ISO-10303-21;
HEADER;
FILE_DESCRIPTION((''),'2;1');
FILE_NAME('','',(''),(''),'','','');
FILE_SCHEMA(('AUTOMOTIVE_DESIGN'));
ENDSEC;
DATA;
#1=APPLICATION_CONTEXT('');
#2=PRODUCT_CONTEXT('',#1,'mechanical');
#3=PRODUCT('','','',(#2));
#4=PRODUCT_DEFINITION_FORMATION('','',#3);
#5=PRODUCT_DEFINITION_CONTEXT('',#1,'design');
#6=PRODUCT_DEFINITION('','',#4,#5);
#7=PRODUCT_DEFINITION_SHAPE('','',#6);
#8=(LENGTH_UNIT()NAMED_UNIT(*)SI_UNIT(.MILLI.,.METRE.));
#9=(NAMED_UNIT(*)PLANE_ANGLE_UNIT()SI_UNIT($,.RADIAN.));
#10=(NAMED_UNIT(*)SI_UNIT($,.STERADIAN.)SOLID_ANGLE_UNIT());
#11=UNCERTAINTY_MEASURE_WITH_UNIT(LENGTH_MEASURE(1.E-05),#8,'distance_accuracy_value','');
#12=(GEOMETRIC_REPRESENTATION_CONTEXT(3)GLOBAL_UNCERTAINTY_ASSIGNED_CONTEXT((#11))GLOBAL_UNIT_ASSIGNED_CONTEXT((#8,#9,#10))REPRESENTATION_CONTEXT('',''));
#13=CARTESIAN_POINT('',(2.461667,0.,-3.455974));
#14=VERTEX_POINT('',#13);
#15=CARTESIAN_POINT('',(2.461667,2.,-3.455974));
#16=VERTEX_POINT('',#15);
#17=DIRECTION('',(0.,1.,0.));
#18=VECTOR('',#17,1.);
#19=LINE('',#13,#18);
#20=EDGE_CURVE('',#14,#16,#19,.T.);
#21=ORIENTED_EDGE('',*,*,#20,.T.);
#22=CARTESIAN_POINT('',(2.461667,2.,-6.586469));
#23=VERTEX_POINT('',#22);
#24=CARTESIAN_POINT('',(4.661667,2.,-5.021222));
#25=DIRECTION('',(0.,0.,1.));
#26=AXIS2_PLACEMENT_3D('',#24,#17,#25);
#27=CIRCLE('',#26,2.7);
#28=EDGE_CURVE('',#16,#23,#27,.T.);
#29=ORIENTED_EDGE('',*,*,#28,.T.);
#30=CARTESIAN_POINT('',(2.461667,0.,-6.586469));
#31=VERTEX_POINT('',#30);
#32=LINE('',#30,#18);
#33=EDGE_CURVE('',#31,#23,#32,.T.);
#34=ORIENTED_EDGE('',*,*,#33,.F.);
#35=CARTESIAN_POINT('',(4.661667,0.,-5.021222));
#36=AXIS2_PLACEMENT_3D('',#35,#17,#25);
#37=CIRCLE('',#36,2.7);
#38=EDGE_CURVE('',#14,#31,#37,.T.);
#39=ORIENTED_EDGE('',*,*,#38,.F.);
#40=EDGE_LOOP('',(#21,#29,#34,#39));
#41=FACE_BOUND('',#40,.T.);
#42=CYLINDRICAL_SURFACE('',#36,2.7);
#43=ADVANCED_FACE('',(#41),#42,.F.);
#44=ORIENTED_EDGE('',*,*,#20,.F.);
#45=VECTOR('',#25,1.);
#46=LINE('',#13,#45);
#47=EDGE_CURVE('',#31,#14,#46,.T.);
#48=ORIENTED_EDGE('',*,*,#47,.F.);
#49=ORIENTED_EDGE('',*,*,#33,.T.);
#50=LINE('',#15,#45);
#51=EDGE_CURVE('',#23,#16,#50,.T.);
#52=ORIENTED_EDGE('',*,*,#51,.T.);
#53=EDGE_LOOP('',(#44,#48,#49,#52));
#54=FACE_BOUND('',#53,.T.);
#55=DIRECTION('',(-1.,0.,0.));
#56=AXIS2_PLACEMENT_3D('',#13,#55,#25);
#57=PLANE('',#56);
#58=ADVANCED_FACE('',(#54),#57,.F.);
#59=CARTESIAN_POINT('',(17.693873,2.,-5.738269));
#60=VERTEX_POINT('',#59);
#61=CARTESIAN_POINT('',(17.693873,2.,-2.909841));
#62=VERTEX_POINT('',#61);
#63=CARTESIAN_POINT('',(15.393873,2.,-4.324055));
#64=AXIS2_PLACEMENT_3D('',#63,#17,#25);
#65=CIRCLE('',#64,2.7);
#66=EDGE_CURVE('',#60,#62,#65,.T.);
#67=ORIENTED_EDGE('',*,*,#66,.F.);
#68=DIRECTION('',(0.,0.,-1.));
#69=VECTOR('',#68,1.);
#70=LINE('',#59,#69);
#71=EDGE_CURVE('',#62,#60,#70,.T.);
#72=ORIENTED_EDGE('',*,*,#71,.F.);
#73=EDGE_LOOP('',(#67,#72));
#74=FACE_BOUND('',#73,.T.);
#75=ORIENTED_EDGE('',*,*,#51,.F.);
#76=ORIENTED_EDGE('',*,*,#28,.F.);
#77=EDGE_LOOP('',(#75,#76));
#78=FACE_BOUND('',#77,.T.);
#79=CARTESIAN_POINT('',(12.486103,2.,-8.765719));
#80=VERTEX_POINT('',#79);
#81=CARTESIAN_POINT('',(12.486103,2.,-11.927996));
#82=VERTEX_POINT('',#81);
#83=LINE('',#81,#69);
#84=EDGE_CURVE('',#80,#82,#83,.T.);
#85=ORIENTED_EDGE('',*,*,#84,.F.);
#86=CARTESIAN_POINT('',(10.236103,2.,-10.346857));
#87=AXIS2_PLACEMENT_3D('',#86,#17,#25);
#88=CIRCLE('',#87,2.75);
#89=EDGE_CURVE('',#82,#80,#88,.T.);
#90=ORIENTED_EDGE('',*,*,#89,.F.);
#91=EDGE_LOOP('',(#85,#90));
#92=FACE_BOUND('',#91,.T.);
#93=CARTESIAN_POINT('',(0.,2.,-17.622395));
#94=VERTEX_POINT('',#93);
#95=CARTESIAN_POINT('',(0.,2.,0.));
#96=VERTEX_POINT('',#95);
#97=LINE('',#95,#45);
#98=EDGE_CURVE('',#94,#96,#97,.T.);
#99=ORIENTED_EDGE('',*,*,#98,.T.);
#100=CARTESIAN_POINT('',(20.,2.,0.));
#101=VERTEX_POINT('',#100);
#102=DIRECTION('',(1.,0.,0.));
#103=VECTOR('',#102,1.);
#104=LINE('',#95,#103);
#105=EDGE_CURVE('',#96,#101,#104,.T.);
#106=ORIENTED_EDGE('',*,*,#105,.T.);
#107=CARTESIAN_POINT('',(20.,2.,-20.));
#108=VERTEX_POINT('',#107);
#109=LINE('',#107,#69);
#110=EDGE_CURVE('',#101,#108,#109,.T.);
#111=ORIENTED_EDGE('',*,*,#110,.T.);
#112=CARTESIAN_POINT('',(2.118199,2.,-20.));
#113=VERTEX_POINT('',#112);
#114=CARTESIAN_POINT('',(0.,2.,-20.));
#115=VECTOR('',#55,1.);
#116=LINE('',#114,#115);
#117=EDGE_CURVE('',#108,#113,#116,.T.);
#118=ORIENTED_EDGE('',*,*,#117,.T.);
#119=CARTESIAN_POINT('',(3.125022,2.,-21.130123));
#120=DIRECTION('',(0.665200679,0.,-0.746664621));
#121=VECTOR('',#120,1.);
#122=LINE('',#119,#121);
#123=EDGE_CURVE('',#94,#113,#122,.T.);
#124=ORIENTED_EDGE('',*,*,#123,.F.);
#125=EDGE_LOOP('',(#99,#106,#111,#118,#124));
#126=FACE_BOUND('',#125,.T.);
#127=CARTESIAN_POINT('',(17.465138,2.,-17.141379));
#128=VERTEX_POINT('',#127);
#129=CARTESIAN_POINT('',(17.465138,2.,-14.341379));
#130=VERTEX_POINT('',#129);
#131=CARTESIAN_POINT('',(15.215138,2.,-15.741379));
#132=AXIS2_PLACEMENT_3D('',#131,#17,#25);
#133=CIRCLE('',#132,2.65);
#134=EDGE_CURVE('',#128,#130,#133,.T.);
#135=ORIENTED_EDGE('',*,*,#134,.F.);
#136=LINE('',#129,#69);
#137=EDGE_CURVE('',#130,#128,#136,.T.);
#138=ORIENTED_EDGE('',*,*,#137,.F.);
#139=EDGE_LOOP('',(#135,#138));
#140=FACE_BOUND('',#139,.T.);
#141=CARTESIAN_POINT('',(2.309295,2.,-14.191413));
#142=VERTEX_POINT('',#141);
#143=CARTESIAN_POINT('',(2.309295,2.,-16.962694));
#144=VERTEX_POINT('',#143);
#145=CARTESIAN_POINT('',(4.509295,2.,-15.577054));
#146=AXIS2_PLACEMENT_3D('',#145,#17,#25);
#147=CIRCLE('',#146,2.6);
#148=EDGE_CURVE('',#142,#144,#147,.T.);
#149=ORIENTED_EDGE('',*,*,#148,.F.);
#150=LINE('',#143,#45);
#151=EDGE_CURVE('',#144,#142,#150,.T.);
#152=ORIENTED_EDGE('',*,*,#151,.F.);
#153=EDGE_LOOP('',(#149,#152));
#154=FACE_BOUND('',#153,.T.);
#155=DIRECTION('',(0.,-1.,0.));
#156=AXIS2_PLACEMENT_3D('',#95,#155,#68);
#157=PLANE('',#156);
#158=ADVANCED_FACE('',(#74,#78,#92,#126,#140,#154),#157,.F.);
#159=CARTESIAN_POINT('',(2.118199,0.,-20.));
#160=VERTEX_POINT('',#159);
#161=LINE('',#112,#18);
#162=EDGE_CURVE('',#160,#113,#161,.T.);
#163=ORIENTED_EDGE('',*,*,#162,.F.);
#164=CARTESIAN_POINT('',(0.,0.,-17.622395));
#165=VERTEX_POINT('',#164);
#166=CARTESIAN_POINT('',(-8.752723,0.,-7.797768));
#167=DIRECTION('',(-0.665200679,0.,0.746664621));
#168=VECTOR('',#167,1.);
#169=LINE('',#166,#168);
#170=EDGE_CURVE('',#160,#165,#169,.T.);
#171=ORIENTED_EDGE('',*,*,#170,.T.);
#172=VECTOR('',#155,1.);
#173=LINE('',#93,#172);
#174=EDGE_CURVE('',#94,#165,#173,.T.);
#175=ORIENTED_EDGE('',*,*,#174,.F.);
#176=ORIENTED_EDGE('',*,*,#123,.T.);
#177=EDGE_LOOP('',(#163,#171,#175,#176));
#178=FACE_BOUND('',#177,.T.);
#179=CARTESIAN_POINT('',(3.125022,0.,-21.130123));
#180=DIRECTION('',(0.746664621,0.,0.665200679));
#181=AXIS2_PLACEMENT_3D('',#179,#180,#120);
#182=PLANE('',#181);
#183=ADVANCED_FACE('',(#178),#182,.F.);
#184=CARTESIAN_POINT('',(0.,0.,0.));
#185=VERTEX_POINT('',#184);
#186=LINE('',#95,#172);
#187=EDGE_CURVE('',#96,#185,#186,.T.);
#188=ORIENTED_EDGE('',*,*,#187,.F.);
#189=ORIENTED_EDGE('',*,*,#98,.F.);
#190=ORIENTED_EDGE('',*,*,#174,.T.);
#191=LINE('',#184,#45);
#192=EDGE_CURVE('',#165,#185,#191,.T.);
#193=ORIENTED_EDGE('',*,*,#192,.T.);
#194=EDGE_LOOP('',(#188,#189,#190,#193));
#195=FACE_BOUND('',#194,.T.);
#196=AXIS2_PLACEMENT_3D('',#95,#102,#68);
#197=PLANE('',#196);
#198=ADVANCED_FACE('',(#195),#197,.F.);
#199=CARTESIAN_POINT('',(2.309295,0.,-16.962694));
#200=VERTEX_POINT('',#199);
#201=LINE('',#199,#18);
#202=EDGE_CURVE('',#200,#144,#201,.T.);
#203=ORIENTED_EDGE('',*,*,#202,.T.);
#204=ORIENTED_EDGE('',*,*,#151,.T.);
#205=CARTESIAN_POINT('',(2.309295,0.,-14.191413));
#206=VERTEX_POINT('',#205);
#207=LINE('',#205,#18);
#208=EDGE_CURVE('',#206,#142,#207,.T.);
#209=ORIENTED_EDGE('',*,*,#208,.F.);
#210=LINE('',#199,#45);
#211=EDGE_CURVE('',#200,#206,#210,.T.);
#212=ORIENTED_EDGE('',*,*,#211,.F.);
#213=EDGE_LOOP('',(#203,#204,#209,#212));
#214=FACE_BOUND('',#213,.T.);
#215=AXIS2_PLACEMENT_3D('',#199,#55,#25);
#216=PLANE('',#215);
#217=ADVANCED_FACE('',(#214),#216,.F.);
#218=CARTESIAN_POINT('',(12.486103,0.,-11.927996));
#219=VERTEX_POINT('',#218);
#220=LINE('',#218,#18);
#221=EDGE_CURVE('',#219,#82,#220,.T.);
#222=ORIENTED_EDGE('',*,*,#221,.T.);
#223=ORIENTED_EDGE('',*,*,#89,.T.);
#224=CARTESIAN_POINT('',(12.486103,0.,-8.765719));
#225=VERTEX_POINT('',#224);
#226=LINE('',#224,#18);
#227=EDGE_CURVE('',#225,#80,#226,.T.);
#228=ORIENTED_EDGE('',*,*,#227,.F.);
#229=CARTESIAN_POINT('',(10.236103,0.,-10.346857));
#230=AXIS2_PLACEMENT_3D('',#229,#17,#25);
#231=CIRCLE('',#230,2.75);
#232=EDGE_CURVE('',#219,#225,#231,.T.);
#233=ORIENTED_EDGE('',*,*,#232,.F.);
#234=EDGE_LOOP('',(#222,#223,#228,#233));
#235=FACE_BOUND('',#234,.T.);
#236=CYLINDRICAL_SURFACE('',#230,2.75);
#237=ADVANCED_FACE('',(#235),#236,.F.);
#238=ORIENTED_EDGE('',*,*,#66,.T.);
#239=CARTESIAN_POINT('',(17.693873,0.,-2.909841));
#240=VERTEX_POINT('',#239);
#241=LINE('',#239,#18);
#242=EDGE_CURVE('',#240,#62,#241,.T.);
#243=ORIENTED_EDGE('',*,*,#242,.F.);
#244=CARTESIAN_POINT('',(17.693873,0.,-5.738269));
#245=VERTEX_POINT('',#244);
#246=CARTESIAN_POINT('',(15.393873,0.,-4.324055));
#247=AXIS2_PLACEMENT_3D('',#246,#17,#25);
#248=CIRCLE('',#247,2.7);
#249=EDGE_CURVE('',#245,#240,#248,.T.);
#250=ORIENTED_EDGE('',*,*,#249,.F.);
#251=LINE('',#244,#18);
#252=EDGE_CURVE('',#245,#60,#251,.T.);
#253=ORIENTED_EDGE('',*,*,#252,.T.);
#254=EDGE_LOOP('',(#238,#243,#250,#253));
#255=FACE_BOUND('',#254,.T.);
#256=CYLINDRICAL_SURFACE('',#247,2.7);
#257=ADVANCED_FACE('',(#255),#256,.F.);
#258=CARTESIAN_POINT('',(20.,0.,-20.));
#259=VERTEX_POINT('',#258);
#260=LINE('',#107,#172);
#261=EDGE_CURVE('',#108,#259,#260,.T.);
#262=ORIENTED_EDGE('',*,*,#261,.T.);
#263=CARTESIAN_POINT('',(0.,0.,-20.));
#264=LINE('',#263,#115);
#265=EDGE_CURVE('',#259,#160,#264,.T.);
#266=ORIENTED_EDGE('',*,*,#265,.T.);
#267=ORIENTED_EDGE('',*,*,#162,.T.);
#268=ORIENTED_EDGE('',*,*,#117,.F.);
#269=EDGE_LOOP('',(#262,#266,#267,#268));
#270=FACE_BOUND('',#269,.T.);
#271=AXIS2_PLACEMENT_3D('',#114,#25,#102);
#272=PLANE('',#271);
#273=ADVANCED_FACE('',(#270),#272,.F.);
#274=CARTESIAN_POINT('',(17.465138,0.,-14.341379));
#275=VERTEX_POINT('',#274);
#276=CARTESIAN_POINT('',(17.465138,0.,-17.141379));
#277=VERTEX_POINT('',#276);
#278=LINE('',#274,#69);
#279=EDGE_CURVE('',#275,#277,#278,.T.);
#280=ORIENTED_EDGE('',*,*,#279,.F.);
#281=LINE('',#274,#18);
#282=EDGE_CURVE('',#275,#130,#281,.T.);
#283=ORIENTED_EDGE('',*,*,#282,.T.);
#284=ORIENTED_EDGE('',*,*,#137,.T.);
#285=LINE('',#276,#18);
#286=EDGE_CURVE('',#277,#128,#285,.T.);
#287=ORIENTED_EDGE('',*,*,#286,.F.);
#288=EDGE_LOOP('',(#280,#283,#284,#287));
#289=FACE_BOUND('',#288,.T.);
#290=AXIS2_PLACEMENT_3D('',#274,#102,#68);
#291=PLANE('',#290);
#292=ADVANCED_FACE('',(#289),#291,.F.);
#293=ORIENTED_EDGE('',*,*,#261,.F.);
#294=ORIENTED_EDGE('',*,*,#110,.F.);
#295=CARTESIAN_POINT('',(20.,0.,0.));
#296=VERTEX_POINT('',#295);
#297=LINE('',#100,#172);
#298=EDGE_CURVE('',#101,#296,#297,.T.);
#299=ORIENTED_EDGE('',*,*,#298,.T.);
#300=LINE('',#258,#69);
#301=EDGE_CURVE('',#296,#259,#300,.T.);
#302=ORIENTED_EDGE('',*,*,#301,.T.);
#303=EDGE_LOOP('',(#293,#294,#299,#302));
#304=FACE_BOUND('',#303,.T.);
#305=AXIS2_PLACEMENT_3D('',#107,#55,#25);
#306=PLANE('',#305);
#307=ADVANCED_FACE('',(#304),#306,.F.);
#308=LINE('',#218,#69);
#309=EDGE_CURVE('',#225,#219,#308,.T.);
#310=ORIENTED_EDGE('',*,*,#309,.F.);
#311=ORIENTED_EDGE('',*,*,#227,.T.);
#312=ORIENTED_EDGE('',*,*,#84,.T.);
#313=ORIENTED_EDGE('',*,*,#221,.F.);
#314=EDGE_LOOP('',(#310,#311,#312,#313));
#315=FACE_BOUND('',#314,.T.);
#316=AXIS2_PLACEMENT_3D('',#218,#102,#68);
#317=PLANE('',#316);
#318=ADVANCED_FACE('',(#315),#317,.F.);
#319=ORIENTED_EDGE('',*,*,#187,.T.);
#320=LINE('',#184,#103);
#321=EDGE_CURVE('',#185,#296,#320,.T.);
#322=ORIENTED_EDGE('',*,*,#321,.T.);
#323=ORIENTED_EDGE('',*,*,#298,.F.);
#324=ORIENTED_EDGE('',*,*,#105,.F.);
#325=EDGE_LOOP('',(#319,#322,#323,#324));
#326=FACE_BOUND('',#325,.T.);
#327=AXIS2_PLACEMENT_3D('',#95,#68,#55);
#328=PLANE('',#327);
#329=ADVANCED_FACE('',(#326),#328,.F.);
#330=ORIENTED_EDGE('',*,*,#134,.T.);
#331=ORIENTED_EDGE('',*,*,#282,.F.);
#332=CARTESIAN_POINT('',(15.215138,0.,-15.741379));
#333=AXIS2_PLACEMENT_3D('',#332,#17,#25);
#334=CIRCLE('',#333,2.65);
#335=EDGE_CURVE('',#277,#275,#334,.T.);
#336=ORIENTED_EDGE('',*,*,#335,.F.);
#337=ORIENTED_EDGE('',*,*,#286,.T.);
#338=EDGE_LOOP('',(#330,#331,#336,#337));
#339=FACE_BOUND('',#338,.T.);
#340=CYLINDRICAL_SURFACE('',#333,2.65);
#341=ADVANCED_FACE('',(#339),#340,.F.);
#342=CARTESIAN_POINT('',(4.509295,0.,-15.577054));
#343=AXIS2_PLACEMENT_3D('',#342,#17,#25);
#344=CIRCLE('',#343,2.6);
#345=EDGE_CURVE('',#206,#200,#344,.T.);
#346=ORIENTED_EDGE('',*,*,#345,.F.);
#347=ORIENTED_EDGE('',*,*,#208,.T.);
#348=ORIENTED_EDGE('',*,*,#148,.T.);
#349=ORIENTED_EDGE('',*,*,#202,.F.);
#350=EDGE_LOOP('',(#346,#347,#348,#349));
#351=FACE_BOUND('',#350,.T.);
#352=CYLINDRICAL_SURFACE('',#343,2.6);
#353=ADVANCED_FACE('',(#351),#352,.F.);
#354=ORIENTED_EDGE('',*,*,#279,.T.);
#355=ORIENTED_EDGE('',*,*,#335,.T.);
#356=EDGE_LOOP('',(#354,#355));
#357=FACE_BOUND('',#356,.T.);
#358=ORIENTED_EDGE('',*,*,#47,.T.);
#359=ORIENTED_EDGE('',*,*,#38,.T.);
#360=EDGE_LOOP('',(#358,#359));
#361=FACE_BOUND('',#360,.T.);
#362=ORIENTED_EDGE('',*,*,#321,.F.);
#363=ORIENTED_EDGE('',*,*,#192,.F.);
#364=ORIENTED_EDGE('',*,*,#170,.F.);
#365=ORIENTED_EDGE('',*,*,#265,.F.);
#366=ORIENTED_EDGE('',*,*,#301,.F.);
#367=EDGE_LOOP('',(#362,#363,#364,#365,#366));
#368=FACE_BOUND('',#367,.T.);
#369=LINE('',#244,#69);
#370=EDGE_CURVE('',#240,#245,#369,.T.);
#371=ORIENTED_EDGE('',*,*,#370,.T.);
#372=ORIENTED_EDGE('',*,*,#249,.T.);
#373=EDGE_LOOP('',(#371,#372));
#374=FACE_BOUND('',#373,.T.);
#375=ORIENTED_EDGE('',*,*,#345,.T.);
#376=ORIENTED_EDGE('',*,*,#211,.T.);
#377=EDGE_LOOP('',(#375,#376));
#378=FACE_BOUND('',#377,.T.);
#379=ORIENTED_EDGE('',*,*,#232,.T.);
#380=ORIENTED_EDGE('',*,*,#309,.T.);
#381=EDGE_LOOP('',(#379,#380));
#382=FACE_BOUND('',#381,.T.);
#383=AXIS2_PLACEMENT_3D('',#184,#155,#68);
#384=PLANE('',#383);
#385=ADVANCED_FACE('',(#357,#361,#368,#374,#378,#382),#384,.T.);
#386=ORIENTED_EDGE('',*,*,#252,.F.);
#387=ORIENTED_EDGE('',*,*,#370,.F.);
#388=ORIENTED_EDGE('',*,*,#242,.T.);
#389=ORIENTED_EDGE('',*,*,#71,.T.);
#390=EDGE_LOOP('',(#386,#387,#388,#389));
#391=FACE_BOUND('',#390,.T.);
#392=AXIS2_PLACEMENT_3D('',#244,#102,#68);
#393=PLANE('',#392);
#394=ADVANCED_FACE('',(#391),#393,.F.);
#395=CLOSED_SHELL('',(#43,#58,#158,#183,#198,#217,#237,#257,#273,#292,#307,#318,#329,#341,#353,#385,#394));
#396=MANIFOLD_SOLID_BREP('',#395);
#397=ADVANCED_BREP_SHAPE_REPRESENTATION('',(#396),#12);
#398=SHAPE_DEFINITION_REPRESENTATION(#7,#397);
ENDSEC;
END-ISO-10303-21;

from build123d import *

# Parameters (mm, degrees)
ESBO_O1_W                = 20
ESBO_O1_H                = 20
RESSALTO_EXTRUS_O3_DEPTH = 2
CORTE_EXTRUS_O5_DEPTH    = 29.354893758


with BuildPart() as part:
    # Esboço1 → Ressalto-extrusão3 (new body)
    with BuildSketch(Plane(origin=(0, 0, 0), x_dir=(1, 0, 0), z_dir=(0, 1, 0))):
        with Locations((10, 10)):
            Rectangle(ESBO_O1_W, ESBO_O1_H)
    extrude(amount=RESSALTO_EXTRUS_O3_DEPTH)

    # Esboço5 → Corte-extrusão5 (cut, through all)
    with BuildSketch(Plane(origin=(0, 2, 0), x_dir=(1, 0, 0), z_dir=(0, 1, 0))):
        with BuildLine():
            Line((2.309294959, 16.962694399), (2.309294959, 14.191413107))
            ThreePointArc((2.309294959, 14.191413107), (7.109294959, 15.577053753), (2.309294959, 16.962694399))
        make_face()
        with BuildLine():
            Line((2.461667221, 3.455973937), (2.461667221, 6.586469106))
            ThreePointArc((2.461667221, 6.586469106), (7.361667221, 5.021221521), (2.461667221, 3.455973937))
        make_face()
        with BuildLine():
            Line((17.465138281, 14.341379407), (17.465138281, 17.141379407))
            ThreePointArc((17.465138281, 17.141379407), (12.565138281, 15.741379407), (17.465138281, 14.341379407))
        make_face()
        with BuildLine():
            Line((12.486102937, 11.927996301), (12.486102937, 8.765718641))
            ThreePointArc((12.486102937, 8.765718641), (7.486102937, 10.346857471), (12.486102937, 11.927996301))
        make_face()
        with BuildLine():
            Line((17.693873019, 5.738268613), (17.693873019, 2.909841488))
            ThreePointArc((17.693873019, 2.909841488), (12.693873019, 4.32405505), (17.693873019, 5.738268613))
        make_face()
        Polygon((3.125021592, 21.130122811), (-1.51392015, 15.923072084), (-4.183814677, 19.828549229), (-3.382846319, 21.73084908), align=None)
    extrude(amount=-CORTE_EXTRUS_O5_DEPTH, mode=Mode.SUBTRACT)


solid = part.part
